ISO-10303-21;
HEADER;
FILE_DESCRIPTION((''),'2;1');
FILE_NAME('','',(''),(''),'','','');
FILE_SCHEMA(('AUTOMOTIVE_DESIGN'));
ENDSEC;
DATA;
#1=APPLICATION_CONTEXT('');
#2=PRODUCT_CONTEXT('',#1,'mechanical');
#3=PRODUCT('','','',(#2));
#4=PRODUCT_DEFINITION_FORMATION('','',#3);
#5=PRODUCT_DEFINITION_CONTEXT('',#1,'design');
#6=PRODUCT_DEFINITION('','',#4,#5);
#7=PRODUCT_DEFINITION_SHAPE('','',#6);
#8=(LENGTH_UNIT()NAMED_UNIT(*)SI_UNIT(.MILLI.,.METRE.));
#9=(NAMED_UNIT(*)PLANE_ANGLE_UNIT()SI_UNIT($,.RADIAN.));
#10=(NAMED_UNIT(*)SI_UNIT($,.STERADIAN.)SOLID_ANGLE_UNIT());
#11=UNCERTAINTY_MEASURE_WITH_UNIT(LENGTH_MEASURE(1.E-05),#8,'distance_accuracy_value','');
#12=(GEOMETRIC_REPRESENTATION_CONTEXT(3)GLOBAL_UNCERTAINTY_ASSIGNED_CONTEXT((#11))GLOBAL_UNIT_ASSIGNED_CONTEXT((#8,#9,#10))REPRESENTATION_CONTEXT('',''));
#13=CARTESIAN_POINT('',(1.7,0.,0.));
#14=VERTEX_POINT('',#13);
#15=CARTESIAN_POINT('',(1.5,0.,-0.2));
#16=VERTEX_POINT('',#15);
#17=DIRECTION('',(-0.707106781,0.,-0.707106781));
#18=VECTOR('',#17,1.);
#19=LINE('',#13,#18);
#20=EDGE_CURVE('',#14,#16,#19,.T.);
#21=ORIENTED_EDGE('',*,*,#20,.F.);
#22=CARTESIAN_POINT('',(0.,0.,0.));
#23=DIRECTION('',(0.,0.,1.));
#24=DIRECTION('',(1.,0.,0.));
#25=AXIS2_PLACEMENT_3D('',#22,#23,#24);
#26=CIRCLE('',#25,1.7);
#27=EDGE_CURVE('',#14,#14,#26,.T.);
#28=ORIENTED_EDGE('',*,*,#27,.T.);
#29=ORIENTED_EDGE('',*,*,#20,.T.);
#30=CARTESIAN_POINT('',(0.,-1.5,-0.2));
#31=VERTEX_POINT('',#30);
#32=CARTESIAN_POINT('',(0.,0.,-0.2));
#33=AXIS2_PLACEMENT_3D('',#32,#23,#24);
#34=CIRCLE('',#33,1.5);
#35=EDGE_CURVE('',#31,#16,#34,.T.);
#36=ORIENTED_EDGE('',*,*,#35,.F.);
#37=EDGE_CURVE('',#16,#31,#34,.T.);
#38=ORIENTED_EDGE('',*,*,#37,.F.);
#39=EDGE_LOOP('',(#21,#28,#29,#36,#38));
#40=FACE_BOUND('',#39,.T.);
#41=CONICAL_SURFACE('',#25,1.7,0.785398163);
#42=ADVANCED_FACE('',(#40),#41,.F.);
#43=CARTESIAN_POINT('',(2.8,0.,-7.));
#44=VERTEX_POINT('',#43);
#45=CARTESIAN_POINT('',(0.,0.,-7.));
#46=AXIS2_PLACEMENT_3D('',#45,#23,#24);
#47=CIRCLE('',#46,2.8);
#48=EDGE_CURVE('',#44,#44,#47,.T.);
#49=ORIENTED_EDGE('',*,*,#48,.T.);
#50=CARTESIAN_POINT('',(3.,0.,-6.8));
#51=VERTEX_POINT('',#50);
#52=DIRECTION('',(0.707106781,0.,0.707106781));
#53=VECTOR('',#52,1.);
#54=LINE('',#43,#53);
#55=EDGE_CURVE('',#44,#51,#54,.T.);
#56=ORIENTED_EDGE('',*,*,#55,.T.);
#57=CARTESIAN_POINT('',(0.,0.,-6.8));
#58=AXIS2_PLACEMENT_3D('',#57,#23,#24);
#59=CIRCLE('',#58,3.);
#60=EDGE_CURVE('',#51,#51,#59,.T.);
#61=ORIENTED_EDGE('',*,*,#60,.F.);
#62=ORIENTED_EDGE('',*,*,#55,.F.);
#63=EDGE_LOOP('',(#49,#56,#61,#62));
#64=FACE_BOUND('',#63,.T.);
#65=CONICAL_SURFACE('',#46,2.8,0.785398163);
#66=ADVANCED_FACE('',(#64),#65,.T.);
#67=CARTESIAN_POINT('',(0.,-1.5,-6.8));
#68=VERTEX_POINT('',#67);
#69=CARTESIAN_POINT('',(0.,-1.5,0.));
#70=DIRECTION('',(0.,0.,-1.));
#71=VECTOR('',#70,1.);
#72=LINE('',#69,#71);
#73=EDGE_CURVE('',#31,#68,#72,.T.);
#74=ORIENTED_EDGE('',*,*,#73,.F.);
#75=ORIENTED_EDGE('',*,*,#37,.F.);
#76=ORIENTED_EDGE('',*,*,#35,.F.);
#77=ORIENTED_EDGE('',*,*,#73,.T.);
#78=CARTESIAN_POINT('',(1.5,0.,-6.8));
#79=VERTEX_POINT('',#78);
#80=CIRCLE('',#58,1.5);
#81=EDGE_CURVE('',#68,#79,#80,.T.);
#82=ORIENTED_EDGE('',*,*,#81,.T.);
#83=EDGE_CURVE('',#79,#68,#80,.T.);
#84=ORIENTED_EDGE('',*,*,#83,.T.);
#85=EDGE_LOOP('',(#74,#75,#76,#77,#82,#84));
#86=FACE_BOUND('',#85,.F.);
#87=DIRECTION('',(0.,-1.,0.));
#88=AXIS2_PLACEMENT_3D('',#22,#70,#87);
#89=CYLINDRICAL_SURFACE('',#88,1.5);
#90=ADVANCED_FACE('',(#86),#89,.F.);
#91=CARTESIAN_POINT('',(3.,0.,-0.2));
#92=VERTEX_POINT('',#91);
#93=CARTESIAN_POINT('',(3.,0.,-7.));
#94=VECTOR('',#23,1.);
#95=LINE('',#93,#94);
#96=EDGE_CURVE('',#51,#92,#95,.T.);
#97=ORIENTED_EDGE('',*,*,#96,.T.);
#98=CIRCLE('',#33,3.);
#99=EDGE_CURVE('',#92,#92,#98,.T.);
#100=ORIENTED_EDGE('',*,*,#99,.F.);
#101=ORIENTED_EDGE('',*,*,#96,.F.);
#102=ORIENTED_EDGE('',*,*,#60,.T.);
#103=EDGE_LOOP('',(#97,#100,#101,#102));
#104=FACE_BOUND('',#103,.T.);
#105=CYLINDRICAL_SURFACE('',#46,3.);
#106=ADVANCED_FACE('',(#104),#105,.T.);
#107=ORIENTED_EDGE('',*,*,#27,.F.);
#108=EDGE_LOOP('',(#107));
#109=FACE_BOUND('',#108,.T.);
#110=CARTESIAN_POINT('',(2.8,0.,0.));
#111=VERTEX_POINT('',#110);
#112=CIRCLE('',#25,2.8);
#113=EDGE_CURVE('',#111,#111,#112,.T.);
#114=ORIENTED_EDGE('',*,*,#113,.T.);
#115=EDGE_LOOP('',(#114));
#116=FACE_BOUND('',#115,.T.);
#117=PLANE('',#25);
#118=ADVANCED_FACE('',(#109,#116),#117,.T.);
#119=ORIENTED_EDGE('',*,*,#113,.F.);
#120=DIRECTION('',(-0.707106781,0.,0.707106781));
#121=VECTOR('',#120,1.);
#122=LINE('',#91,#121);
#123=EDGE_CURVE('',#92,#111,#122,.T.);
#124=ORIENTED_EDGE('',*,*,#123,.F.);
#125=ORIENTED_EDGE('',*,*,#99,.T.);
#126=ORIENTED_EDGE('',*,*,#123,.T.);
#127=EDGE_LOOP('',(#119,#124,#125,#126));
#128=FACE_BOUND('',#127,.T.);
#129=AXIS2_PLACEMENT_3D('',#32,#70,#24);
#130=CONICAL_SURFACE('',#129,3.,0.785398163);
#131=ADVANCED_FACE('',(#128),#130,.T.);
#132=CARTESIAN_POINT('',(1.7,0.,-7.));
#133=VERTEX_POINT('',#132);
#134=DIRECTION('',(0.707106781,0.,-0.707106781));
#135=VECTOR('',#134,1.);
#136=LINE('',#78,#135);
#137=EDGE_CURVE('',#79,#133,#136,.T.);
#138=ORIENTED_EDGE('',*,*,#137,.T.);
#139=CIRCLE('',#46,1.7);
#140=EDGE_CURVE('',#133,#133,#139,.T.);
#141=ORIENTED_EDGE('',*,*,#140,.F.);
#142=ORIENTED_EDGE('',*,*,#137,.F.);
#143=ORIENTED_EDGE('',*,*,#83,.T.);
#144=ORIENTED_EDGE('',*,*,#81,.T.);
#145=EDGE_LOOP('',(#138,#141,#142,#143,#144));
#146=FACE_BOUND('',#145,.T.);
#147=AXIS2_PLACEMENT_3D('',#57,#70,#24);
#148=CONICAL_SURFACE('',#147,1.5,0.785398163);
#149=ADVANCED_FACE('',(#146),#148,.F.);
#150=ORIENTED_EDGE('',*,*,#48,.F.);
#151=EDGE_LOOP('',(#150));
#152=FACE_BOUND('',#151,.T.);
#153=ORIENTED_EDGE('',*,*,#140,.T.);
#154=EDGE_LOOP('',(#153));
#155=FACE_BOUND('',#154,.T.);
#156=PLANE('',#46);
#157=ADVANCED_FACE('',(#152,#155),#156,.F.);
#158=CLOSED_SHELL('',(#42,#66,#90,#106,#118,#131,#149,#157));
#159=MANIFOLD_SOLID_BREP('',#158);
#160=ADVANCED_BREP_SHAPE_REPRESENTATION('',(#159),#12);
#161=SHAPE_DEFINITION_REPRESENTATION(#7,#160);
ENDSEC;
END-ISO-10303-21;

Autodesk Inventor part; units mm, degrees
sketch "_____1" plane through (0, 0, 0) normal (0, 1, 0) x (1, 0, 0)
  line L0 (0, 0) -> (0, 7)
  line L1 (0, 7) -> (3, 7)
  line L2 (3, 7) -> (3, 0)
  line L3 (3, 0) -> (0, 0)
  line L4 (0, 0) -> (0, 7)
revolve "Revolution1" add sketch "_____1" angle 360 about axis through (0, 0, 0) along (0, 0, 1)
sketch "_____2" plane through (0, 0, 0) normal (0, 1, 0) x (1, 0, 0)
  line L0 (0, 0) -> (0, 7)
  line L1 (2.8, 7) -> (3, 6.8)
  line L2 (3, 6.8) -> (3, 7)
  line L3 (3, 7) -> (2.8, 7)
revolve "Revolution2" cut sketch "_____2" angle 360 about axis through (0, 0, 0) along (0, 0, 1)
sketch "_____3" plane through (0, 0, 0) normal (0, 1, 0) x (1, 0, 0)
  line L0 (0, 0) -> (0, 7)
  line L1 (2.8, 0) -> (3, 0)
  line L2 (3, 0) -> (3, 0.2)
  line L3 (3, 0.2) -> (2.8, 0)
revolve "Revolution3" cut sketch "_____3" angle 360 about axis through (0, 0, 0) along (0, 0, 1)
sketch "Sketch4" plane through (0, 0, 0) normal (0, 0, 1) x (1, 0, 0)
  point P0 (0, 0)
hole "Hole1" at (0, 0, 0) direction (0, 0, -1) diameter 3 depth 7
sketch "_____5" plane through (0, 0, 0) normal (0, 1, 0) x (1, 0, 0)
  line L0 (0, -14) -> (0, 14)
  line L1 (1.5, 6.8) -> (1.7, 7)
  line L2 (1.7, 7) -> (1.5, 7)
  line L3 (1.5, 7) -> (1.5, 6.8)
revolve "Revolution4" cut sketch "_____5" angle 360 about axis through (0, 0, 14) along (0, 0, 1)
sketch "_____6" plane through (0, 0, 0) normal (0, 1, 0) x (1, 0, 0)
  line L0 (0, -14) -> (0, 14)
  line L1 (1.5, 0.2) -> (1.5, 0)
  line L2 (1.5, 0) -> (1.7, 0)
  line L3 (1.7, 0) -> (1.5, 0.2)
revolve "Revolution5" cut sketch "_____6" angle 360 about axis through (0, 0, 14) along (0, 0, 1)
ref_plane "spring_XY" through (0, 0, 0) normal (0, 0, 1) x (1, 0, 0)
ref_plane "spring_YZ" through (0, 0, 0) normal (1, 0, 0) x (0, 1, 0)
ref_plane "spring_ZX" through (0, 0, 0) normal (0, 1, 0) x (0, 0, 1)
ref_plane "to_bolt_XY" through (0, 0, -7) normal (0, 0, 1) x (1, 0, 0)
ref_plane "to_bolt_YZ" through (0, 0, -7) normal (1, 0, 0) x (0, 1, 0)
ref_plane "to_bolt_ZX" through (0, 0, -7) normal (0, 1, 0) x (0, 0, 1)
properties part number "FWSSA-D6-V3-T7"
